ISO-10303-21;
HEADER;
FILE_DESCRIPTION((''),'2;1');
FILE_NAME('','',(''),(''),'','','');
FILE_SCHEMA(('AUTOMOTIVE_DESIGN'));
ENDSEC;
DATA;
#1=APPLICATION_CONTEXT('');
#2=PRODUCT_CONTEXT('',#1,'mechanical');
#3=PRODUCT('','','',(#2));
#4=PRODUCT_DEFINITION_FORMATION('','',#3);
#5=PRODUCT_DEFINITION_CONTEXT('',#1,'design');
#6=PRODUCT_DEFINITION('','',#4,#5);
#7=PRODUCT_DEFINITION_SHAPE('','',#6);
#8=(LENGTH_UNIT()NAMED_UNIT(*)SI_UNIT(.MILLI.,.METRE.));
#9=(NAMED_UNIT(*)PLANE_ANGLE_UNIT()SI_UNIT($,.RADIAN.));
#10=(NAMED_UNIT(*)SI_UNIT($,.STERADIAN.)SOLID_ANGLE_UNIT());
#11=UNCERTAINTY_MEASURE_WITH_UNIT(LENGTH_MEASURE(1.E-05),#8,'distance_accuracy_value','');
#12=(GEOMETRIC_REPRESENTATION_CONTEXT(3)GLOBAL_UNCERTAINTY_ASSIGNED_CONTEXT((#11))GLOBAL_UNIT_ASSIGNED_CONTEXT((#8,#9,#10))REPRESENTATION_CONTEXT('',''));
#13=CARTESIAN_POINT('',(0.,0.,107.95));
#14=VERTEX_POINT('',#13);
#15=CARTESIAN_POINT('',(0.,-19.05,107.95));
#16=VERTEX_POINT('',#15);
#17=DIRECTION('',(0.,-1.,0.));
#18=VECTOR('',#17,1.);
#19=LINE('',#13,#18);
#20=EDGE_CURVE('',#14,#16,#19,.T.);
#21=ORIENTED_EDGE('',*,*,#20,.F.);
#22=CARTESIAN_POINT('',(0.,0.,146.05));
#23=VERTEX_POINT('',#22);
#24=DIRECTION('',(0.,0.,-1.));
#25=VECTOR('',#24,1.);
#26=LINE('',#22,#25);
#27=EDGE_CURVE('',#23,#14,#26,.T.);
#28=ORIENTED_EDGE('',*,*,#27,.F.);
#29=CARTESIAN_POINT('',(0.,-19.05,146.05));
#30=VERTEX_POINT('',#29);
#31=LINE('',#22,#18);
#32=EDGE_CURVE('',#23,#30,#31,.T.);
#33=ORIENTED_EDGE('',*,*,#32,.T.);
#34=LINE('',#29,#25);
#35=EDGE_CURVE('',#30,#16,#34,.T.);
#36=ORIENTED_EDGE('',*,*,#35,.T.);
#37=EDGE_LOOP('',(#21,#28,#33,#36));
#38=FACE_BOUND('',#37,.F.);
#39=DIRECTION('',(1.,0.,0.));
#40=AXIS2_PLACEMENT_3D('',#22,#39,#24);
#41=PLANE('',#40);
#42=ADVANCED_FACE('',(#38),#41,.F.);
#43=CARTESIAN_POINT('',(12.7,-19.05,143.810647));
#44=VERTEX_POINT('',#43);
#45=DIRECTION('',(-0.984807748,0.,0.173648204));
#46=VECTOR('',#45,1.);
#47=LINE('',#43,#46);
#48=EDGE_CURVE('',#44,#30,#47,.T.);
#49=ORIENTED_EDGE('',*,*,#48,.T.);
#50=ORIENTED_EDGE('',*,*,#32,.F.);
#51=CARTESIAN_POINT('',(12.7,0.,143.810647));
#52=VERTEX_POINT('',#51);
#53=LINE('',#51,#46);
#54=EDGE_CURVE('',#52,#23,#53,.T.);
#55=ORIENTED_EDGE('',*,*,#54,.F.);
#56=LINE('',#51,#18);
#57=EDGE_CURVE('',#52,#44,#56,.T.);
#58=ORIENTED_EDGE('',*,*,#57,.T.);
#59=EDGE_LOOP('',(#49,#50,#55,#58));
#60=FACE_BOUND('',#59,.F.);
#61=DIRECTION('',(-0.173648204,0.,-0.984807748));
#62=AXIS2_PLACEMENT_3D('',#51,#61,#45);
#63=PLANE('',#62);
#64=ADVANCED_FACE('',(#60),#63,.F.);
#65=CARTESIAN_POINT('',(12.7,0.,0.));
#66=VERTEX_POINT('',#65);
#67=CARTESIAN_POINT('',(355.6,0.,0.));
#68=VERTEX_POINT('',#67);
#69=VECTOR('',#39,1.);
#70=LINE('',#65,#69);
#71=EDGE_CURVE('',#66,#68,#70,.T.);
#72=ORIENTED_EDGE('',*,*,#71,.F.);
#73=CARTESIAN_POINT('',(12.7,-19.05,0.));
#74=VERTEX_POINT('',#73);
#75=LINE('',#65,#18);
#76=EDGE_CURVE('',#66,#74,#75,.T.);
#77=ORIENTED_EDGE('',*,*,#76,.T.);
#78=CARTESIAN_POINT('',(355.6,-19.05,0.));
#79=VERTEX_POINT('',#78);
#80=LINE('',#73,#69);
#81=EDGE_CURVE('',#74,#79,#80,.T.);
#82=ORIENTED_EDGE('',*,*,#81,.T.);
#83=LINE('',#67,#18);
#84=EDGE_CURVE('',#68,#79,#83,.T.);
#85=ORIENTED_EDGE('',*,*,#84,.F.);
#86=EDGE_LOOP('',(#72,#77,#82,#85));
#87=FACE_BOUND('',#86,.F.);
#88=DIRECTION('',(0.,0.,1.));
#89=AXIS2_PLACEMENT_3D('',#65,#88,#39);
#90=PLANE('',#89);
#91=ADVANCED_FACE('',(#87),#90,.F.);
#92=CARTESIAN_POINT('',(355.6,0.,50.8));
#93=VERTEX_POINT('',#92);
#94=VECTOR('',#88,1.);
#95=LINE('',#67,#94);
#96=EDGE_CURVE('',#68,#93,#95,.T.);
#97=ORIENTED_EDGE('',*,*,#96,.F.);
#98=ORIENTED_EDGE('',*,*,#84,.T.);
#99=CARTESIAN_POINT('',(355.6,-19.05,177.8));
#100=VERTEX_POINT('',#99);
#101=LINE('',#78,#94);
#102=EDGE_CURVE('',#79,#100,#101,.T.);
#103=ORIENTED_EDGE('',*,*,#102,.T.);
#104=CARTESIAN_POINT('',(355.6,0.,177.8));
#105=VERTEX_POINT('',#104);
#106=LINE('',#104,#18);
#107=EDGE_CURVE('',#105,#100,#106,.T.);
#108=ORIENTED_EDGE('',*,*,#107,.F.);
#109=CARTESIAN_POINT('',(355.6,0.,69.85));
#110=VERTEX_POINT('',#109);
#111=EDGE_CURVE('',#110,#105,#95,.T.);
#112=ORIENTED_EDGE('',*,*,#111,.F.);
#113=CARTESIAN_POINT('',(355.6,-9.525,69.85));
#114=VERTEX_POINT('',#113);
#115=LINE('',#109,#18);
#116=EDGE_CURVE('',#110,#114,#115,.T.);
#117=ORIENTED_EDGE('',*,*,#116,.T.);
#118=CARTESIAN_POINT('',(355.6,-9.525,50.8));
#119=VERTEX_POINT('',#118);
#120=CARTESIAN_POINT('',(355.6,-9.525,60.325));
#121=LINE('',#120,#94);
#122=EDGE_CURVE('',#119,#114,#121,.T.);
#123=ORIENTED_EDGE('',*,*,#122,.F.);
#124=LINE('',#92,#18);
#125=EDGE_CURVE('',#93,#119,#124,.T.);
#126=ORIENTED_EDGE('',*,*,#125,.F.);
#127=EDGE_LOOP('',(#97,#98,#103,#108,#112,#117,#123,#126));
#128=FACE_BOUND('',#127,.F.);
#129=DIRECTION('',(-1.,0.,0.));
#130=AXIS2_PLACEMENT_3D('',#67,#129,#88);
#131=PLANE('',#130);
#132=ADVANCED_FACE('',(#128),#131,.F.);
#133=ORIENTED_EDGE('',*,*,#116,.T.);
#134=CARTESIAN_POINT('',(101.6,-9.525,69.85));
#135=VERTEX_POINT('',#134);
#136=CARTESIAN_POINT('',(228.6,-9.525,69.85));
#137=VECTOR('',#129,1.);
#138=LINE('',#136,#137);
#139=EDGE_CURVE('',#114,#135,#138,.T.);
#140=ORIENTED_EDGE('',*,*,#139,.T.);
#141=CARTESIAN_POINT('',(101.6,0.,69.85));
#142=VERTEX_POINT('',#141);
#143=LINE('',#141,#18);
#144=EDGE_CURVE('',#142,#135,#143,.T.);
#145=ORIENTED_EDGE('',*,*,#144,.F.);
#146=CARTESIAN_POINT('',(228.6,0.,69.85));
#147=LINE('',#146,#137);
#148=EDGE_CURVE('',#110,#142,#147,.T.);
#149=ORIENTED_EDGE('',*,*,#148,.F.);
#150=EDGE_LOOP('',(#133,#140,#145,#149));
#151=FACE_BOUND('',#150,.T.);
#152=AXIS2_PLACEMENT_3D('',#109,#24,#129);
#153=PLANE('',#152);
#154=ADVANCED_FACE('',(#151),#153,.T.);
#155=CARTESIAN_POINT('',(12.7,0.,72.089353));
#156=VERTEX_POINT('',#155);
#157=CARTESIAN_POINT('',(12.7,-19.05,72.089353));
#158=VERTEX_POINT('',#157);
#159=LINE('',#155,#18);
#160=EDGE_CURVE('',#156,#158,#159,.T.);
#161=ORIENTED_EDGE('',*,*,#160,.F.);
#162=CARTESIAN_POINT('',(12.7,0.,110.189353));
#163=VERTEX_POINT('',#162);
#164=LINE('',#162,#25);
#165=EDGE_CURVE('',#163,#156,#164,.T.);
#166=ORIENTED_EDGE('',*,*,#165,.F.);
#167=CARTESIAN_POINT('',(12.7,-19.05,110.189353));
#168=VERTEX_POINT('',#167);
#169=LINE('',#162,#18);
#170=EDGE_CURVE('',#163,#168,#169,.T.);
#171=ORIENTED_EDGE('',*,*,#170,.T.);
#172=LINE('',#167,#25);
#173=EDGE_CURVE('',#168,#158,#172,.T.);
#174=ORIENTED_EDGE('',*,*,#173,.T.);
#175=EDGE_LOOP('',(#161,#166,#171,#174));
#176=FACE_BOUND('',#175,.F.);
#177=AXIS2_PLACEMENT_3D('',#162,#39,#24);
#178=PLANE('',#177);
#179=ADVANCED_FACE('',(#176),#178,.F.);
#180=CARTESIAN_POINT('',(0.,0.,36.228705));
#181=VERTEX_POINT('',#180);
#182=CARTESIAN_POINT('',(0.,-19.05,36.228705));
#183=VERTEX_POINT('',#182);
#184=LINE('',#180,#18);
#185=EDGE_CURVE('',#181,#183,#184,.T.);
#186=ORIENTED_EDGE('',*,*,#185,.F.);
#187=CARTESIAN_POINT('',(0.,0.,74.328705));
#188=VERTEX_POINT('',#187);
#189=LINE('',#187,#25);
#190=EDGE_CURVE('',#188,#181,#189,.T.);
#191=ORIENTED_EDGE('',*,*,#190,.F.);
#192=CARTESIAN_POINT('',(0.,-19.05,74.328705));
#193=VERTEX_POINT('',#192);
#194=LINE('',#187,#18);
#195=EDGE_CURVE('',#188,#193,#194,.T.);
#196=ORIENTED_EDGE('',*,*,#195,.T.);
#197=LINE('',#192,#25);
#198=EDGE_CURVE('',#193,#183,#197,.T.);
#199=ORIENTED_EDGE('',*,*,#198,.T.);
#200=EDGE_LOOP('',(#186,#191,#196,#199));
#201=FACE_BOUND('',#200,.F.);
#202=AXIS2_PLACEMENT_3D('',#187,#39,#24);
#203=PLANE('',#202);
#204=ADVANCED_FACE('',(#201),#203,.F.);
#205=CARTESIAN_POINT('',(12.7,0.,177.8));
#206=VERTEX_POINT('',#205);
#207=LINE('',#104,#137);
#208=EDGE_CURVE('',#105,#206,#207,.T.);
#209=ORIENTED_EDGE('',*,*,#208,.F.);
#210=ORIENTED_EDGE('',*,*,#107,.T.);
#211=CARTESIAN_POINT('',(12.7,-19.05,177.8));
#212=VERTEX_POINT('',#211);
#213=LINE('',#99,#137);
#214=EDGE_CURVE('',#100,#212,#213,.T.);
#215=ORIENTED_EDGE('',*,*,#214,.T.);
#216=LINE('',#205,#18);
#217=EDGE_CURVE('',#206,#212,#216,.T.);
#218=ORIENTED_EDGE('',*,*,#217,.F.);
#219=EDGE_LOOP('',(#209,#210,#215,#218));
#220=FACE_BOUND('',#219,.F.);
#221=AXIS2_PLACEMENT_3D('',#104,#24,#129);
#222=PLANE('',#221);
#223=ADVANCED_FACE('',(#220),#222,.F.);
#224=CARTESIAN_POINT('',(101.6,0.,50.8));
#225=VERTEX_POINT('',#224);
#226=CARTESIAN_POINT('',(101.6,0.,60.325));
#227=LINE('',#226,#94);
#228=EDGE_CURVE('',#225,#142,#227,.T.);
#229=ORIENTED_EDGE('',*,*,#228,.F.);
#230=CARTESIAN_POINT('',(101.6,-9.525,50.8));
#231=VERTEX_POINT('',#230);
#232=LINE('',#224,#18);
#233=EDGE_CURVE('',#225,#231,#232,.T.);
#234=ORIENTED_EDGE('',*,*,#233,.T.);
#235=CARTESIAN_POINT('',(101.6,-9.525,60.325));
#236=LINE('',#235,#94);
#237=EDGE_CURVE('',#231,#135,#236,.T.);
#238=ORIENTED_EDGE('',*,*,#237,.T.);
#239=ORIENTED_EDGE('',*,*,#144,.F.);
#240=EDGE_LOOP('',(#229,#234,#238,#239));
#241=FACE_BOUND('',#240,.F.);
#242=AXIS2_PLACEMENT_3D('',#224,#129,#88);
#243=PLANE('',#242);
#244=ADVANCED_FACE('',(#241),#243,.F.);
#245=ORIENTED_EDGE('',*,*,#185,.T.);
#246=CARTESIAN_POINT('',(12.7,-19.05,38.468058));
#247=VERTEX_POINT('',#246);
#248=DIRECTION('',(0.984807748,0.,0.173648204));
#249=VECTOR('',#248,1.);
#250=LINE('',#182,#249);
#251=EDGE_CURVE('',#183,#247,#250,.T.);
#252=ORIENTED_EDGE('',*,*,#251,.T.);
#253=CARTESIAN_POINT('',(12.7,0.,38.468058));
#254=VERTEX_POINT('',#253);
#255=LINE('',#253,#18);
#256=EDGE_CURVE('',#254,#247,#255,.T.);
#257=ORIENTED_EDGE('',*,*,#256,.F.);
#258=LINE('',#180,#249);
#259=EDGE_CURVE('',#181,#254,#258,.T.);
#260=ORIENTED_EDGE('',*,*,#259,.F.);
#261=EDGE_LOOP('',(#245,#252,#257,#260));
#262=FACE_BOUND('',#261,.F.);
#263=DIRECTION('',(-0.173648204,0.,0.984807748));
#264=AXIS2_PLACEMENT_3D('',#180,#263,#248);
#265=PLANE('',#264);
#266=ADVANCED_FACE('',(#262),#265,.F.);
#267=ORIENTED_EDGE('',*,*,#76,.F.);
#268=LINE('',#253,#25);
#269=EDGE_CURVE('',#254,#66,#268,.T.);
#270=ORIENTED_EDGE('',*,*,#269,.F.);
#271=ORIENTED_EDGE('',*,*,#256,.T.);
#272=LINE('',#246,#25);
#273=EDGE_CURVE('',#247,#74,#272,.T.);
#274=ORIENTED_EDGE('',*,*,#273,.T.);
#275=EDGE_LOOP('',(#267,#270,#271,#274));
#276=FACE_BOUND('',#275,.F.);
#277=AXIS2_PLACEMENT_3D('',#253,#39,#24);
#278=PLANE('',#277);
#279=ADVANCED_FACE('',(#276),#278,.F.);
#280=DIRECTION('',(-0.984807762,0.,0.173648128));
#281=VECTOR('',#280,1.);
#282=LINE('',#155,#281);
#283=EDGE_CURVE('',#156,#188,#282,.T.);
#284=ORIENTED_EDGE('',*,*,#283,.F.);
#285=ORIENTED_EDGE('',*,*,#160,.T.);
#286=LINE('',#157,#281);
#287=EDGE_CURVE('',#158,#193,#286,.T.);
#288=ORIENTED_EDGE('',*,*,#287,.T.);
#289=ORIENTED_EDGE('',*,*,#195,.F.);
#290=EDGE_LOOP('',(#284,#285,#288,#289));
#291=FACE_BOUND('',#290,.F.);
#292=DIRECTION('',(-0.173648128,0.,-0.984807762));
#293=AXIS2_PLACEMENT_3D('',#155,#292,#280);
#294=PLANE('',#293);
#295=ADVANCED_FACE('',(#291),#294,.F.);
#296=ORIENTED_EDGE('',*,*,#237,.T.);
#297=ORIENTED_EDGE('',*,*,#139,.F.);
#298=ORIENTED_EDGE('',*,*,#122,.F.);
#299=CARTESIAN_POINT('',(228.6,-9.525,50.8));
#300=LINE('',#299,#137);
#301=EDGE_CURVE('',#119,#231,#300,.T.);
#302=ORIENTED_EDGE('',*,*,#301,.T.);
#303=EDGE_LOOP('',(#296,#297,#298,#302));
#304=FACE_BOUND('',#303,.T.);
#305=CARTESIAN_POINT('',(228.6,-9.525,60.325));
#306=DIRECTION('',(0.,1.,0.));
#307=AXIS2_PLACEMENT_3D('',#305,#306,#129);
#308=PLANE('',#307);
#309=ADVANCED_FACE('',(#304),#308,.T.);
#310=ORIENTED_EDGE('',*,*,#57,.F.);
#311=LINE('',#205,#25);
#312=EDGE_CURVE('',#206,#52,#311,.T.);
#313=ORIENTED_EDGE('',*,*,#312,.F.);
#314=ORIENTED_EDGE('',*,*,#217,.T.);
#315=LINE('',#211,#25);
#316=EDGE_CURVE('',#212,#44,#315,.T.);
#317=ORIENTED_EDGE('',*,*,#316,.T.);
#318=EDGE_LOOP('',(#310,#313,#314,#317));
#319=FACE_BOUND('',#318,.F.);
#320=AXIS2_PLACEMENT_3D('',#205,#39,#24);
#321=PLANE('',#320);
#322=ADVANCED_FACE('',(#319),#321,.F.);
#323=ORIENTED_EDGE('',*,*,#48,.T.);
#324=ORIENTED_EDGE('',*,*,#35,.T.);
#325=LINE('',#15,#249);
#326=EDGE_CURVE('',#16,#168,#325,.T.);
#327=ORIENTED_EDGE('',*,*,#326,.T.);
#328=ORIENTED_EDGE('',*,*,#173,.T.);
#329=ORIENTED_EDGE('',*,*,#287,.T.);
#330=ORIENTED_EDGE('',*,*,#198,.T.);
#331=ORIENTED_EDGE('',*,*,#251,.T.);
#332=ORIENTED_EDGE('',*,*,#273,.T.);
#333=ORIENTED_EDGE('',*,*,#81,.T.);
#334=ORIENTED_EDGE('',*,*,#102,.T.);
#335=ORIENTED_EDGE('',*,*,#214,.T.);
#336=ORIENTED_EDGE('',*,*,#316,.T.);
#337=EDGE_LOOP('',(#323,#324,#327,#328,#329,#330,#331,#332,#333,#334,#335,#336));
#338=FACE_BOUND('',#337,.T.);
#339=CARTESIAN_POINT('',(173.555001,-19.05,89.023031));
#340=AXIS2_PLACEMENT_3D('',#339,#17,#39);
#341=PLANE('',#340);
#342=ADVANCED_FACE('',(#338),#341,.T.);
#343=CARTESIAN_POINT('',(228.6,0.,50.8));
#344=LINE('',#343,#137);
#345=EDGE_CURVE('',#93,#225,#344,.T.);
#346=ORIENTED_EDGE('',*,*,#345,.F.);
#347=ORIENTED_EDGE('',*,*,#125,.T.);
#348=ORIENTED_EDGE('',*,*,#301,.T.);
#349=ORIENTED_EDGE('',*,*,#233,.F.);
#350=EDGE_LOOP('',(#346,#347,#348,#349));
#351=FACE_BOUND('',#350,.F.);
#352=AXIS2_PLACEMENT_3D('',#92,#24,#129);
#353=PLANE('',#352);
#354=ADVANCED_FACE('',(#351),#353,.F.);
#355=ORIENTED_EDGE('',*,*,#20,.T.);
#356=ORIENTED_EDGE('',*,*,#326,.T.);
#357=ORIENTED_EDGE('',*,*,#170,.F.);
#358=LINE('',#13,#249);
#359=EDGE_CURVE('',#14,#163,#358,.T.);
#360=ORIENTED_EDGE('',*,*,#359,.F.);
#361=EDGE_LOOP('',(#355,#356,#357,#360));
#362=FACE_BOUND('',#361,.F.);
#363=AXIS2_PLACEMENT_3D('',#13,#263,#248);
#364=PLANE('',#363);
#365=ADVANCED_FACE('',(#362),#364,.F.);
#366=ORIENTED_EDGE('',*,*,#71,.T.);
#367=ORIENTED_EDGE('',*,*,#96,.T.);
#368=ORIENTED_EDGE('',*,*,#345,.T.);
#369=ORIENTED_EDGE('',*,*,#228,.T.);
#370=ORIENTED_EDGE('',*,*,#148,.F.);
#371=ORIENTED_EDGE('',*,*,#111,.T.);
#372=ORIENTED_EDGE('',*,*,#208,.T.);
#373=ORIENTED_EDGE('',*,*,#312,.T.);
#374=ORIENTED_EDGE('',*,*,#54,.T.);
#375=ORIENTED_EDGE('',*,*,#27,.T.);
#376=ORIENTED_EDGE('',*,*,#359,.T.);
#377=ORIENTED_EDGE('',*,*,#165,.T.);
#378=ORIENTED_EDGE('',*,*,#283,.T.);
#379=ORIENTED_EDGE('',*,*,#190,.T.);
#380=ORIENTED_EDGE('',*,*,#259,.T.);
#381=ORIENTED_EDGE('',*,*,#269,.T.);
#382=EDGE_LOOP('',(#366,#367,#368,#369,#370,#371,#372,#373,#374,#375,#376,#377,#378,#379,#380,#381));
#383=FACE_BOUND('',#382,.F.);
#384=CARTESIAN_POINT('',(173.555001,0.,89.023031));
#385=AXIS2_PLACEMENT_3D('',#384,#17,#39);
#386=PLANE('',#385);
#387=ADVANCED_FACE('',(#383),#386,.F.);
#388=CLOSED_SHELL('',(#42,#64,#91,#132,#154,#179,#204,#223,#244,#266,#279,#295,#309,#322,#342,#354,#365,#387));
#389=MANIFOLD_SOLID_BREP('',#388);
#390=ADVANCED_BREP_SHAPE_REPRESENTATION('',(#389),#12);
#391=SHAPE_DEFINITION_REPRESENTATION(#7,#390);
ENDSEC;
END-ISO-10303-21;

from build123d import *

# Parameters (mm, degrees)
F1_DEPTH = 19.05
F2_W     = 254
F2_H     = 19.05
F3_DEPTH = 9.525


with BuildPart() as f1:
    # F0 (on Front) → F1 (new body)
    with BuildSketch(Plane.XZ):
        Polygon((12.7, 38.468058), (12.7, 0), (355.6, 0), (355.6, 177.8), (12.7, 177.8), (12.7, 143.810647), (0, 146.05), (0, 107.95), (12.7, 110.189353), (12.7, 72.089353), (0, 74.328705), (0, 36.228705), align=None)
    extrude(amount=F1_DEPTH)

    # F2 (on face) → F3 (cut)
    with BuildSketch(Plane(origin=(0, 0, 0), x_dir=(-1, 0, 0), z_dir=(0, 1, 0))):
        with Locations((-228.6, 60.325)):
            Rectangle(F2_W, F2_H)
    extrude(amount=-F3_DEPTH, mode=Mode.SUBTRACT)


solid = f1.part
